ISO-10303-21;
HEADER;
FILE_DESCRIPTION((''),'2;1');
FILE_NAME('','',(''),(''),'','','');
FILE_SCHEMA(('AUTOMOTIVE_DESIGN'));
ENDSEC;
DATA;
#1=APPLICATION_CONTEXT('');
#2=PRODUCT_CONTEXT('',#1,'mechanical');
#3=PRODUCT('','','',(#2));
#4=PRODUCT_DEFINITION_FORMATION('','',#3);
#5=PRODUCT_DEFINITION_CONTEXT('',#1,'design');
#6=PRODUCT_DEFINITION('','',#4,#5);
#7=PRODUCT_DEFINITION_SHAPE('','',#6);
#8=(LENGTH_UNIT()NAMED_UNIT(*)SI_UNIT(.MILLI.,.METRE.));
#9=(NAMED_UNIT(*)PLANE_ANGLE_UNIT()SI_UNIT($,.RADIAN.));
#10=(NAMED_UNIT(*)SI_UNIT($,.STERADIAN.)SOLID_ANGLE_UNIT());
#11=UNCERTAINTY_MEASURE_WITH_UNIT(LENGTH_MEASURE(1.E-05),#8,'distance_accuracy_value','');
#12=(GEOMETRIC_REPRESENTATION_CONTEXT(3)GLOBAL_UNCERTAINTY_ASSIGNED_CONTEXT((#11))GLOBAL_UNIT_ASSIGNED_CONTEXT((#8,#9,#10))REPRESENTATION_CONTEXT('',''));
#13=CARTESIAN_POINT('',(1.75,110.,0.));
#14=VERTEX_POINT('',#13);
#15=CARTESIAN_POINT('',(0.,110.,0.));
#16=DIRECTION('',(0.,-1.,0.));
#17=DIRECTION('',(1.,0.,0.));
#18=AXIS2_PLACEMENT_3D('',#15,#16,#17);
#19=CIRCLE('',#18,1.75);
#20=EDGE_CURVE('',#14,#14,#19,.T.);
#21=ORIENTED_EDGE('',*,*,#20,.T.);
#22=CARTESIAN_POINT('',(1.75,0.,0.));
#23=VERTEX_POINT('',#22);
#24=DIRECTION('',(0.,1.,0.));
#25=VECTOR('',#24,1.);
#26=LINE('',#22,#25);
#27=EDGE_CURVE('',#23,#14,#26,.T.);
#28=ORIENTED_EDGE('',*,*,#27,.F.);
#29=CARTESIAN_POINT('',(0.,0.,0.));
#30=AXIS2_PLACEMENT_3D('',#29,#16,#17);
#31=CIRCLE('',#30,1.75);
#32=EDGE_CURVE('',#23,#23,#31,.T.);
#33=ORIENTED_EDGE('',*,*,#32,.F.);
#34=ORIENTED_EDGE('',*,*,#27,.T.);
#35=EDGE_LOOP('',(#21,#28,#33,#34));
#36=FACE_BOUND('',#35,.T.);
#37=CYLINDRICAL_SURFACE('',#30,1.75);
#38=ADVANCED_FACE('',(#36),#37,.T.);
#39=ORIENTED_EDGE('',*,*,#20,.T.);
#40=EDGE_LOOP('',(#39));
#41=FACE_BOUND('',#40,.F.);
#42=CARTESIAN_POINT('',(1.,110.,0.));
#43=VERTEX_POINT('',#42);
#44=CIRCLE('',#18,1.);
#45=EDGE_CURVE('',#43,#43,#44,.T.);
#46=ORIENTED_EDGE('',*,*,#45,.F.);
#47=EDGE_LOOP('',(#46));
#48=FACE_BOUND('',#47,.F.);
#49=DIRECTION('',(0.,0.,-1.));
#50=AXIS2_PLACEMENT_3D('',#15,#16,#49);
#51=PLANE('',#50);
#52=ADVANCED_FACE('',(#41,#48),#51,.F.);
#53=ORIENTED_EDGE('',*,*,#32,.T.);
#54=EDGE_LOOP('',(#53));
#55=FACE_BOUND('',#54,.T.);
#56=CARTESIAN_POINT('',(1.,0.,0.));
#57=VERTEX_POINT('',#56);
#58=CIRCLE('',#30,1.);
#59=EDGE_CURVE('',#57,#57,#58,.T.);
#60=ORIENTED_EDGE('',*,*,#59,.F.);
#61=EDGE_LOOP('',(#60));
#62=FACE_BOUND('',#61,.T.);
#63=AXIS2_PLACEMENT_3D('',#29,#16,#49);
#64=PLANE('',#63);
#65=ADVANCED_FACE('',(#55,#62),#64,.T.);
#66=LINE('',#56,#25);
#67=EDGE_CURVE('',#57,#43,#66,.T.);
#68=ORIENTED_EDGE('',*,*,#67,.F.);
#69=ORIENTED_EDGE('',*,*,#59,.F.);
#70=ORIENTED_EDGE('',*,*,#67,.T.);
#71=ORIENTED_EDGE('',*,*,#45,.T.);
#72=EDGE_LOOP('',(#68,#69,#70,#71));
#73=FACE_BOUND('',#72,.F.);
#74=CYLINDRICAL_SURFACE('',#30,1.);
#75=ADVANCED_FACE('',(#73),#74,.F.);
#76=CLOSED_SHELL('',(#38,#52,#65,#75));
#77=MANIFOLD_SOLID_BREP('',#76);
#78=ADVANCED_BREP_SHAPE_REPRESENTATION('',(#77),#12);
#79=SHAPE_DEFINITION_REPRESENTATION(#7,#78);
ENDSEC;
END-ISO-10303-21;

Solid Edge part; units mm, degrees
sketch "Sketch1" plane through (0, 0, 0) normal (0, -1, 0) x (1, 0, 0)
  circle A0 centre (0, 0) radius 1.75
  circle A1 centre (0, 0) radius 1
  dimension "D1" = 3.5
extrude "Protrusion1" add sketch "Sketch1" against normal blind 110
properties part number "103" material "ABS-Plastik, mittelfest"
